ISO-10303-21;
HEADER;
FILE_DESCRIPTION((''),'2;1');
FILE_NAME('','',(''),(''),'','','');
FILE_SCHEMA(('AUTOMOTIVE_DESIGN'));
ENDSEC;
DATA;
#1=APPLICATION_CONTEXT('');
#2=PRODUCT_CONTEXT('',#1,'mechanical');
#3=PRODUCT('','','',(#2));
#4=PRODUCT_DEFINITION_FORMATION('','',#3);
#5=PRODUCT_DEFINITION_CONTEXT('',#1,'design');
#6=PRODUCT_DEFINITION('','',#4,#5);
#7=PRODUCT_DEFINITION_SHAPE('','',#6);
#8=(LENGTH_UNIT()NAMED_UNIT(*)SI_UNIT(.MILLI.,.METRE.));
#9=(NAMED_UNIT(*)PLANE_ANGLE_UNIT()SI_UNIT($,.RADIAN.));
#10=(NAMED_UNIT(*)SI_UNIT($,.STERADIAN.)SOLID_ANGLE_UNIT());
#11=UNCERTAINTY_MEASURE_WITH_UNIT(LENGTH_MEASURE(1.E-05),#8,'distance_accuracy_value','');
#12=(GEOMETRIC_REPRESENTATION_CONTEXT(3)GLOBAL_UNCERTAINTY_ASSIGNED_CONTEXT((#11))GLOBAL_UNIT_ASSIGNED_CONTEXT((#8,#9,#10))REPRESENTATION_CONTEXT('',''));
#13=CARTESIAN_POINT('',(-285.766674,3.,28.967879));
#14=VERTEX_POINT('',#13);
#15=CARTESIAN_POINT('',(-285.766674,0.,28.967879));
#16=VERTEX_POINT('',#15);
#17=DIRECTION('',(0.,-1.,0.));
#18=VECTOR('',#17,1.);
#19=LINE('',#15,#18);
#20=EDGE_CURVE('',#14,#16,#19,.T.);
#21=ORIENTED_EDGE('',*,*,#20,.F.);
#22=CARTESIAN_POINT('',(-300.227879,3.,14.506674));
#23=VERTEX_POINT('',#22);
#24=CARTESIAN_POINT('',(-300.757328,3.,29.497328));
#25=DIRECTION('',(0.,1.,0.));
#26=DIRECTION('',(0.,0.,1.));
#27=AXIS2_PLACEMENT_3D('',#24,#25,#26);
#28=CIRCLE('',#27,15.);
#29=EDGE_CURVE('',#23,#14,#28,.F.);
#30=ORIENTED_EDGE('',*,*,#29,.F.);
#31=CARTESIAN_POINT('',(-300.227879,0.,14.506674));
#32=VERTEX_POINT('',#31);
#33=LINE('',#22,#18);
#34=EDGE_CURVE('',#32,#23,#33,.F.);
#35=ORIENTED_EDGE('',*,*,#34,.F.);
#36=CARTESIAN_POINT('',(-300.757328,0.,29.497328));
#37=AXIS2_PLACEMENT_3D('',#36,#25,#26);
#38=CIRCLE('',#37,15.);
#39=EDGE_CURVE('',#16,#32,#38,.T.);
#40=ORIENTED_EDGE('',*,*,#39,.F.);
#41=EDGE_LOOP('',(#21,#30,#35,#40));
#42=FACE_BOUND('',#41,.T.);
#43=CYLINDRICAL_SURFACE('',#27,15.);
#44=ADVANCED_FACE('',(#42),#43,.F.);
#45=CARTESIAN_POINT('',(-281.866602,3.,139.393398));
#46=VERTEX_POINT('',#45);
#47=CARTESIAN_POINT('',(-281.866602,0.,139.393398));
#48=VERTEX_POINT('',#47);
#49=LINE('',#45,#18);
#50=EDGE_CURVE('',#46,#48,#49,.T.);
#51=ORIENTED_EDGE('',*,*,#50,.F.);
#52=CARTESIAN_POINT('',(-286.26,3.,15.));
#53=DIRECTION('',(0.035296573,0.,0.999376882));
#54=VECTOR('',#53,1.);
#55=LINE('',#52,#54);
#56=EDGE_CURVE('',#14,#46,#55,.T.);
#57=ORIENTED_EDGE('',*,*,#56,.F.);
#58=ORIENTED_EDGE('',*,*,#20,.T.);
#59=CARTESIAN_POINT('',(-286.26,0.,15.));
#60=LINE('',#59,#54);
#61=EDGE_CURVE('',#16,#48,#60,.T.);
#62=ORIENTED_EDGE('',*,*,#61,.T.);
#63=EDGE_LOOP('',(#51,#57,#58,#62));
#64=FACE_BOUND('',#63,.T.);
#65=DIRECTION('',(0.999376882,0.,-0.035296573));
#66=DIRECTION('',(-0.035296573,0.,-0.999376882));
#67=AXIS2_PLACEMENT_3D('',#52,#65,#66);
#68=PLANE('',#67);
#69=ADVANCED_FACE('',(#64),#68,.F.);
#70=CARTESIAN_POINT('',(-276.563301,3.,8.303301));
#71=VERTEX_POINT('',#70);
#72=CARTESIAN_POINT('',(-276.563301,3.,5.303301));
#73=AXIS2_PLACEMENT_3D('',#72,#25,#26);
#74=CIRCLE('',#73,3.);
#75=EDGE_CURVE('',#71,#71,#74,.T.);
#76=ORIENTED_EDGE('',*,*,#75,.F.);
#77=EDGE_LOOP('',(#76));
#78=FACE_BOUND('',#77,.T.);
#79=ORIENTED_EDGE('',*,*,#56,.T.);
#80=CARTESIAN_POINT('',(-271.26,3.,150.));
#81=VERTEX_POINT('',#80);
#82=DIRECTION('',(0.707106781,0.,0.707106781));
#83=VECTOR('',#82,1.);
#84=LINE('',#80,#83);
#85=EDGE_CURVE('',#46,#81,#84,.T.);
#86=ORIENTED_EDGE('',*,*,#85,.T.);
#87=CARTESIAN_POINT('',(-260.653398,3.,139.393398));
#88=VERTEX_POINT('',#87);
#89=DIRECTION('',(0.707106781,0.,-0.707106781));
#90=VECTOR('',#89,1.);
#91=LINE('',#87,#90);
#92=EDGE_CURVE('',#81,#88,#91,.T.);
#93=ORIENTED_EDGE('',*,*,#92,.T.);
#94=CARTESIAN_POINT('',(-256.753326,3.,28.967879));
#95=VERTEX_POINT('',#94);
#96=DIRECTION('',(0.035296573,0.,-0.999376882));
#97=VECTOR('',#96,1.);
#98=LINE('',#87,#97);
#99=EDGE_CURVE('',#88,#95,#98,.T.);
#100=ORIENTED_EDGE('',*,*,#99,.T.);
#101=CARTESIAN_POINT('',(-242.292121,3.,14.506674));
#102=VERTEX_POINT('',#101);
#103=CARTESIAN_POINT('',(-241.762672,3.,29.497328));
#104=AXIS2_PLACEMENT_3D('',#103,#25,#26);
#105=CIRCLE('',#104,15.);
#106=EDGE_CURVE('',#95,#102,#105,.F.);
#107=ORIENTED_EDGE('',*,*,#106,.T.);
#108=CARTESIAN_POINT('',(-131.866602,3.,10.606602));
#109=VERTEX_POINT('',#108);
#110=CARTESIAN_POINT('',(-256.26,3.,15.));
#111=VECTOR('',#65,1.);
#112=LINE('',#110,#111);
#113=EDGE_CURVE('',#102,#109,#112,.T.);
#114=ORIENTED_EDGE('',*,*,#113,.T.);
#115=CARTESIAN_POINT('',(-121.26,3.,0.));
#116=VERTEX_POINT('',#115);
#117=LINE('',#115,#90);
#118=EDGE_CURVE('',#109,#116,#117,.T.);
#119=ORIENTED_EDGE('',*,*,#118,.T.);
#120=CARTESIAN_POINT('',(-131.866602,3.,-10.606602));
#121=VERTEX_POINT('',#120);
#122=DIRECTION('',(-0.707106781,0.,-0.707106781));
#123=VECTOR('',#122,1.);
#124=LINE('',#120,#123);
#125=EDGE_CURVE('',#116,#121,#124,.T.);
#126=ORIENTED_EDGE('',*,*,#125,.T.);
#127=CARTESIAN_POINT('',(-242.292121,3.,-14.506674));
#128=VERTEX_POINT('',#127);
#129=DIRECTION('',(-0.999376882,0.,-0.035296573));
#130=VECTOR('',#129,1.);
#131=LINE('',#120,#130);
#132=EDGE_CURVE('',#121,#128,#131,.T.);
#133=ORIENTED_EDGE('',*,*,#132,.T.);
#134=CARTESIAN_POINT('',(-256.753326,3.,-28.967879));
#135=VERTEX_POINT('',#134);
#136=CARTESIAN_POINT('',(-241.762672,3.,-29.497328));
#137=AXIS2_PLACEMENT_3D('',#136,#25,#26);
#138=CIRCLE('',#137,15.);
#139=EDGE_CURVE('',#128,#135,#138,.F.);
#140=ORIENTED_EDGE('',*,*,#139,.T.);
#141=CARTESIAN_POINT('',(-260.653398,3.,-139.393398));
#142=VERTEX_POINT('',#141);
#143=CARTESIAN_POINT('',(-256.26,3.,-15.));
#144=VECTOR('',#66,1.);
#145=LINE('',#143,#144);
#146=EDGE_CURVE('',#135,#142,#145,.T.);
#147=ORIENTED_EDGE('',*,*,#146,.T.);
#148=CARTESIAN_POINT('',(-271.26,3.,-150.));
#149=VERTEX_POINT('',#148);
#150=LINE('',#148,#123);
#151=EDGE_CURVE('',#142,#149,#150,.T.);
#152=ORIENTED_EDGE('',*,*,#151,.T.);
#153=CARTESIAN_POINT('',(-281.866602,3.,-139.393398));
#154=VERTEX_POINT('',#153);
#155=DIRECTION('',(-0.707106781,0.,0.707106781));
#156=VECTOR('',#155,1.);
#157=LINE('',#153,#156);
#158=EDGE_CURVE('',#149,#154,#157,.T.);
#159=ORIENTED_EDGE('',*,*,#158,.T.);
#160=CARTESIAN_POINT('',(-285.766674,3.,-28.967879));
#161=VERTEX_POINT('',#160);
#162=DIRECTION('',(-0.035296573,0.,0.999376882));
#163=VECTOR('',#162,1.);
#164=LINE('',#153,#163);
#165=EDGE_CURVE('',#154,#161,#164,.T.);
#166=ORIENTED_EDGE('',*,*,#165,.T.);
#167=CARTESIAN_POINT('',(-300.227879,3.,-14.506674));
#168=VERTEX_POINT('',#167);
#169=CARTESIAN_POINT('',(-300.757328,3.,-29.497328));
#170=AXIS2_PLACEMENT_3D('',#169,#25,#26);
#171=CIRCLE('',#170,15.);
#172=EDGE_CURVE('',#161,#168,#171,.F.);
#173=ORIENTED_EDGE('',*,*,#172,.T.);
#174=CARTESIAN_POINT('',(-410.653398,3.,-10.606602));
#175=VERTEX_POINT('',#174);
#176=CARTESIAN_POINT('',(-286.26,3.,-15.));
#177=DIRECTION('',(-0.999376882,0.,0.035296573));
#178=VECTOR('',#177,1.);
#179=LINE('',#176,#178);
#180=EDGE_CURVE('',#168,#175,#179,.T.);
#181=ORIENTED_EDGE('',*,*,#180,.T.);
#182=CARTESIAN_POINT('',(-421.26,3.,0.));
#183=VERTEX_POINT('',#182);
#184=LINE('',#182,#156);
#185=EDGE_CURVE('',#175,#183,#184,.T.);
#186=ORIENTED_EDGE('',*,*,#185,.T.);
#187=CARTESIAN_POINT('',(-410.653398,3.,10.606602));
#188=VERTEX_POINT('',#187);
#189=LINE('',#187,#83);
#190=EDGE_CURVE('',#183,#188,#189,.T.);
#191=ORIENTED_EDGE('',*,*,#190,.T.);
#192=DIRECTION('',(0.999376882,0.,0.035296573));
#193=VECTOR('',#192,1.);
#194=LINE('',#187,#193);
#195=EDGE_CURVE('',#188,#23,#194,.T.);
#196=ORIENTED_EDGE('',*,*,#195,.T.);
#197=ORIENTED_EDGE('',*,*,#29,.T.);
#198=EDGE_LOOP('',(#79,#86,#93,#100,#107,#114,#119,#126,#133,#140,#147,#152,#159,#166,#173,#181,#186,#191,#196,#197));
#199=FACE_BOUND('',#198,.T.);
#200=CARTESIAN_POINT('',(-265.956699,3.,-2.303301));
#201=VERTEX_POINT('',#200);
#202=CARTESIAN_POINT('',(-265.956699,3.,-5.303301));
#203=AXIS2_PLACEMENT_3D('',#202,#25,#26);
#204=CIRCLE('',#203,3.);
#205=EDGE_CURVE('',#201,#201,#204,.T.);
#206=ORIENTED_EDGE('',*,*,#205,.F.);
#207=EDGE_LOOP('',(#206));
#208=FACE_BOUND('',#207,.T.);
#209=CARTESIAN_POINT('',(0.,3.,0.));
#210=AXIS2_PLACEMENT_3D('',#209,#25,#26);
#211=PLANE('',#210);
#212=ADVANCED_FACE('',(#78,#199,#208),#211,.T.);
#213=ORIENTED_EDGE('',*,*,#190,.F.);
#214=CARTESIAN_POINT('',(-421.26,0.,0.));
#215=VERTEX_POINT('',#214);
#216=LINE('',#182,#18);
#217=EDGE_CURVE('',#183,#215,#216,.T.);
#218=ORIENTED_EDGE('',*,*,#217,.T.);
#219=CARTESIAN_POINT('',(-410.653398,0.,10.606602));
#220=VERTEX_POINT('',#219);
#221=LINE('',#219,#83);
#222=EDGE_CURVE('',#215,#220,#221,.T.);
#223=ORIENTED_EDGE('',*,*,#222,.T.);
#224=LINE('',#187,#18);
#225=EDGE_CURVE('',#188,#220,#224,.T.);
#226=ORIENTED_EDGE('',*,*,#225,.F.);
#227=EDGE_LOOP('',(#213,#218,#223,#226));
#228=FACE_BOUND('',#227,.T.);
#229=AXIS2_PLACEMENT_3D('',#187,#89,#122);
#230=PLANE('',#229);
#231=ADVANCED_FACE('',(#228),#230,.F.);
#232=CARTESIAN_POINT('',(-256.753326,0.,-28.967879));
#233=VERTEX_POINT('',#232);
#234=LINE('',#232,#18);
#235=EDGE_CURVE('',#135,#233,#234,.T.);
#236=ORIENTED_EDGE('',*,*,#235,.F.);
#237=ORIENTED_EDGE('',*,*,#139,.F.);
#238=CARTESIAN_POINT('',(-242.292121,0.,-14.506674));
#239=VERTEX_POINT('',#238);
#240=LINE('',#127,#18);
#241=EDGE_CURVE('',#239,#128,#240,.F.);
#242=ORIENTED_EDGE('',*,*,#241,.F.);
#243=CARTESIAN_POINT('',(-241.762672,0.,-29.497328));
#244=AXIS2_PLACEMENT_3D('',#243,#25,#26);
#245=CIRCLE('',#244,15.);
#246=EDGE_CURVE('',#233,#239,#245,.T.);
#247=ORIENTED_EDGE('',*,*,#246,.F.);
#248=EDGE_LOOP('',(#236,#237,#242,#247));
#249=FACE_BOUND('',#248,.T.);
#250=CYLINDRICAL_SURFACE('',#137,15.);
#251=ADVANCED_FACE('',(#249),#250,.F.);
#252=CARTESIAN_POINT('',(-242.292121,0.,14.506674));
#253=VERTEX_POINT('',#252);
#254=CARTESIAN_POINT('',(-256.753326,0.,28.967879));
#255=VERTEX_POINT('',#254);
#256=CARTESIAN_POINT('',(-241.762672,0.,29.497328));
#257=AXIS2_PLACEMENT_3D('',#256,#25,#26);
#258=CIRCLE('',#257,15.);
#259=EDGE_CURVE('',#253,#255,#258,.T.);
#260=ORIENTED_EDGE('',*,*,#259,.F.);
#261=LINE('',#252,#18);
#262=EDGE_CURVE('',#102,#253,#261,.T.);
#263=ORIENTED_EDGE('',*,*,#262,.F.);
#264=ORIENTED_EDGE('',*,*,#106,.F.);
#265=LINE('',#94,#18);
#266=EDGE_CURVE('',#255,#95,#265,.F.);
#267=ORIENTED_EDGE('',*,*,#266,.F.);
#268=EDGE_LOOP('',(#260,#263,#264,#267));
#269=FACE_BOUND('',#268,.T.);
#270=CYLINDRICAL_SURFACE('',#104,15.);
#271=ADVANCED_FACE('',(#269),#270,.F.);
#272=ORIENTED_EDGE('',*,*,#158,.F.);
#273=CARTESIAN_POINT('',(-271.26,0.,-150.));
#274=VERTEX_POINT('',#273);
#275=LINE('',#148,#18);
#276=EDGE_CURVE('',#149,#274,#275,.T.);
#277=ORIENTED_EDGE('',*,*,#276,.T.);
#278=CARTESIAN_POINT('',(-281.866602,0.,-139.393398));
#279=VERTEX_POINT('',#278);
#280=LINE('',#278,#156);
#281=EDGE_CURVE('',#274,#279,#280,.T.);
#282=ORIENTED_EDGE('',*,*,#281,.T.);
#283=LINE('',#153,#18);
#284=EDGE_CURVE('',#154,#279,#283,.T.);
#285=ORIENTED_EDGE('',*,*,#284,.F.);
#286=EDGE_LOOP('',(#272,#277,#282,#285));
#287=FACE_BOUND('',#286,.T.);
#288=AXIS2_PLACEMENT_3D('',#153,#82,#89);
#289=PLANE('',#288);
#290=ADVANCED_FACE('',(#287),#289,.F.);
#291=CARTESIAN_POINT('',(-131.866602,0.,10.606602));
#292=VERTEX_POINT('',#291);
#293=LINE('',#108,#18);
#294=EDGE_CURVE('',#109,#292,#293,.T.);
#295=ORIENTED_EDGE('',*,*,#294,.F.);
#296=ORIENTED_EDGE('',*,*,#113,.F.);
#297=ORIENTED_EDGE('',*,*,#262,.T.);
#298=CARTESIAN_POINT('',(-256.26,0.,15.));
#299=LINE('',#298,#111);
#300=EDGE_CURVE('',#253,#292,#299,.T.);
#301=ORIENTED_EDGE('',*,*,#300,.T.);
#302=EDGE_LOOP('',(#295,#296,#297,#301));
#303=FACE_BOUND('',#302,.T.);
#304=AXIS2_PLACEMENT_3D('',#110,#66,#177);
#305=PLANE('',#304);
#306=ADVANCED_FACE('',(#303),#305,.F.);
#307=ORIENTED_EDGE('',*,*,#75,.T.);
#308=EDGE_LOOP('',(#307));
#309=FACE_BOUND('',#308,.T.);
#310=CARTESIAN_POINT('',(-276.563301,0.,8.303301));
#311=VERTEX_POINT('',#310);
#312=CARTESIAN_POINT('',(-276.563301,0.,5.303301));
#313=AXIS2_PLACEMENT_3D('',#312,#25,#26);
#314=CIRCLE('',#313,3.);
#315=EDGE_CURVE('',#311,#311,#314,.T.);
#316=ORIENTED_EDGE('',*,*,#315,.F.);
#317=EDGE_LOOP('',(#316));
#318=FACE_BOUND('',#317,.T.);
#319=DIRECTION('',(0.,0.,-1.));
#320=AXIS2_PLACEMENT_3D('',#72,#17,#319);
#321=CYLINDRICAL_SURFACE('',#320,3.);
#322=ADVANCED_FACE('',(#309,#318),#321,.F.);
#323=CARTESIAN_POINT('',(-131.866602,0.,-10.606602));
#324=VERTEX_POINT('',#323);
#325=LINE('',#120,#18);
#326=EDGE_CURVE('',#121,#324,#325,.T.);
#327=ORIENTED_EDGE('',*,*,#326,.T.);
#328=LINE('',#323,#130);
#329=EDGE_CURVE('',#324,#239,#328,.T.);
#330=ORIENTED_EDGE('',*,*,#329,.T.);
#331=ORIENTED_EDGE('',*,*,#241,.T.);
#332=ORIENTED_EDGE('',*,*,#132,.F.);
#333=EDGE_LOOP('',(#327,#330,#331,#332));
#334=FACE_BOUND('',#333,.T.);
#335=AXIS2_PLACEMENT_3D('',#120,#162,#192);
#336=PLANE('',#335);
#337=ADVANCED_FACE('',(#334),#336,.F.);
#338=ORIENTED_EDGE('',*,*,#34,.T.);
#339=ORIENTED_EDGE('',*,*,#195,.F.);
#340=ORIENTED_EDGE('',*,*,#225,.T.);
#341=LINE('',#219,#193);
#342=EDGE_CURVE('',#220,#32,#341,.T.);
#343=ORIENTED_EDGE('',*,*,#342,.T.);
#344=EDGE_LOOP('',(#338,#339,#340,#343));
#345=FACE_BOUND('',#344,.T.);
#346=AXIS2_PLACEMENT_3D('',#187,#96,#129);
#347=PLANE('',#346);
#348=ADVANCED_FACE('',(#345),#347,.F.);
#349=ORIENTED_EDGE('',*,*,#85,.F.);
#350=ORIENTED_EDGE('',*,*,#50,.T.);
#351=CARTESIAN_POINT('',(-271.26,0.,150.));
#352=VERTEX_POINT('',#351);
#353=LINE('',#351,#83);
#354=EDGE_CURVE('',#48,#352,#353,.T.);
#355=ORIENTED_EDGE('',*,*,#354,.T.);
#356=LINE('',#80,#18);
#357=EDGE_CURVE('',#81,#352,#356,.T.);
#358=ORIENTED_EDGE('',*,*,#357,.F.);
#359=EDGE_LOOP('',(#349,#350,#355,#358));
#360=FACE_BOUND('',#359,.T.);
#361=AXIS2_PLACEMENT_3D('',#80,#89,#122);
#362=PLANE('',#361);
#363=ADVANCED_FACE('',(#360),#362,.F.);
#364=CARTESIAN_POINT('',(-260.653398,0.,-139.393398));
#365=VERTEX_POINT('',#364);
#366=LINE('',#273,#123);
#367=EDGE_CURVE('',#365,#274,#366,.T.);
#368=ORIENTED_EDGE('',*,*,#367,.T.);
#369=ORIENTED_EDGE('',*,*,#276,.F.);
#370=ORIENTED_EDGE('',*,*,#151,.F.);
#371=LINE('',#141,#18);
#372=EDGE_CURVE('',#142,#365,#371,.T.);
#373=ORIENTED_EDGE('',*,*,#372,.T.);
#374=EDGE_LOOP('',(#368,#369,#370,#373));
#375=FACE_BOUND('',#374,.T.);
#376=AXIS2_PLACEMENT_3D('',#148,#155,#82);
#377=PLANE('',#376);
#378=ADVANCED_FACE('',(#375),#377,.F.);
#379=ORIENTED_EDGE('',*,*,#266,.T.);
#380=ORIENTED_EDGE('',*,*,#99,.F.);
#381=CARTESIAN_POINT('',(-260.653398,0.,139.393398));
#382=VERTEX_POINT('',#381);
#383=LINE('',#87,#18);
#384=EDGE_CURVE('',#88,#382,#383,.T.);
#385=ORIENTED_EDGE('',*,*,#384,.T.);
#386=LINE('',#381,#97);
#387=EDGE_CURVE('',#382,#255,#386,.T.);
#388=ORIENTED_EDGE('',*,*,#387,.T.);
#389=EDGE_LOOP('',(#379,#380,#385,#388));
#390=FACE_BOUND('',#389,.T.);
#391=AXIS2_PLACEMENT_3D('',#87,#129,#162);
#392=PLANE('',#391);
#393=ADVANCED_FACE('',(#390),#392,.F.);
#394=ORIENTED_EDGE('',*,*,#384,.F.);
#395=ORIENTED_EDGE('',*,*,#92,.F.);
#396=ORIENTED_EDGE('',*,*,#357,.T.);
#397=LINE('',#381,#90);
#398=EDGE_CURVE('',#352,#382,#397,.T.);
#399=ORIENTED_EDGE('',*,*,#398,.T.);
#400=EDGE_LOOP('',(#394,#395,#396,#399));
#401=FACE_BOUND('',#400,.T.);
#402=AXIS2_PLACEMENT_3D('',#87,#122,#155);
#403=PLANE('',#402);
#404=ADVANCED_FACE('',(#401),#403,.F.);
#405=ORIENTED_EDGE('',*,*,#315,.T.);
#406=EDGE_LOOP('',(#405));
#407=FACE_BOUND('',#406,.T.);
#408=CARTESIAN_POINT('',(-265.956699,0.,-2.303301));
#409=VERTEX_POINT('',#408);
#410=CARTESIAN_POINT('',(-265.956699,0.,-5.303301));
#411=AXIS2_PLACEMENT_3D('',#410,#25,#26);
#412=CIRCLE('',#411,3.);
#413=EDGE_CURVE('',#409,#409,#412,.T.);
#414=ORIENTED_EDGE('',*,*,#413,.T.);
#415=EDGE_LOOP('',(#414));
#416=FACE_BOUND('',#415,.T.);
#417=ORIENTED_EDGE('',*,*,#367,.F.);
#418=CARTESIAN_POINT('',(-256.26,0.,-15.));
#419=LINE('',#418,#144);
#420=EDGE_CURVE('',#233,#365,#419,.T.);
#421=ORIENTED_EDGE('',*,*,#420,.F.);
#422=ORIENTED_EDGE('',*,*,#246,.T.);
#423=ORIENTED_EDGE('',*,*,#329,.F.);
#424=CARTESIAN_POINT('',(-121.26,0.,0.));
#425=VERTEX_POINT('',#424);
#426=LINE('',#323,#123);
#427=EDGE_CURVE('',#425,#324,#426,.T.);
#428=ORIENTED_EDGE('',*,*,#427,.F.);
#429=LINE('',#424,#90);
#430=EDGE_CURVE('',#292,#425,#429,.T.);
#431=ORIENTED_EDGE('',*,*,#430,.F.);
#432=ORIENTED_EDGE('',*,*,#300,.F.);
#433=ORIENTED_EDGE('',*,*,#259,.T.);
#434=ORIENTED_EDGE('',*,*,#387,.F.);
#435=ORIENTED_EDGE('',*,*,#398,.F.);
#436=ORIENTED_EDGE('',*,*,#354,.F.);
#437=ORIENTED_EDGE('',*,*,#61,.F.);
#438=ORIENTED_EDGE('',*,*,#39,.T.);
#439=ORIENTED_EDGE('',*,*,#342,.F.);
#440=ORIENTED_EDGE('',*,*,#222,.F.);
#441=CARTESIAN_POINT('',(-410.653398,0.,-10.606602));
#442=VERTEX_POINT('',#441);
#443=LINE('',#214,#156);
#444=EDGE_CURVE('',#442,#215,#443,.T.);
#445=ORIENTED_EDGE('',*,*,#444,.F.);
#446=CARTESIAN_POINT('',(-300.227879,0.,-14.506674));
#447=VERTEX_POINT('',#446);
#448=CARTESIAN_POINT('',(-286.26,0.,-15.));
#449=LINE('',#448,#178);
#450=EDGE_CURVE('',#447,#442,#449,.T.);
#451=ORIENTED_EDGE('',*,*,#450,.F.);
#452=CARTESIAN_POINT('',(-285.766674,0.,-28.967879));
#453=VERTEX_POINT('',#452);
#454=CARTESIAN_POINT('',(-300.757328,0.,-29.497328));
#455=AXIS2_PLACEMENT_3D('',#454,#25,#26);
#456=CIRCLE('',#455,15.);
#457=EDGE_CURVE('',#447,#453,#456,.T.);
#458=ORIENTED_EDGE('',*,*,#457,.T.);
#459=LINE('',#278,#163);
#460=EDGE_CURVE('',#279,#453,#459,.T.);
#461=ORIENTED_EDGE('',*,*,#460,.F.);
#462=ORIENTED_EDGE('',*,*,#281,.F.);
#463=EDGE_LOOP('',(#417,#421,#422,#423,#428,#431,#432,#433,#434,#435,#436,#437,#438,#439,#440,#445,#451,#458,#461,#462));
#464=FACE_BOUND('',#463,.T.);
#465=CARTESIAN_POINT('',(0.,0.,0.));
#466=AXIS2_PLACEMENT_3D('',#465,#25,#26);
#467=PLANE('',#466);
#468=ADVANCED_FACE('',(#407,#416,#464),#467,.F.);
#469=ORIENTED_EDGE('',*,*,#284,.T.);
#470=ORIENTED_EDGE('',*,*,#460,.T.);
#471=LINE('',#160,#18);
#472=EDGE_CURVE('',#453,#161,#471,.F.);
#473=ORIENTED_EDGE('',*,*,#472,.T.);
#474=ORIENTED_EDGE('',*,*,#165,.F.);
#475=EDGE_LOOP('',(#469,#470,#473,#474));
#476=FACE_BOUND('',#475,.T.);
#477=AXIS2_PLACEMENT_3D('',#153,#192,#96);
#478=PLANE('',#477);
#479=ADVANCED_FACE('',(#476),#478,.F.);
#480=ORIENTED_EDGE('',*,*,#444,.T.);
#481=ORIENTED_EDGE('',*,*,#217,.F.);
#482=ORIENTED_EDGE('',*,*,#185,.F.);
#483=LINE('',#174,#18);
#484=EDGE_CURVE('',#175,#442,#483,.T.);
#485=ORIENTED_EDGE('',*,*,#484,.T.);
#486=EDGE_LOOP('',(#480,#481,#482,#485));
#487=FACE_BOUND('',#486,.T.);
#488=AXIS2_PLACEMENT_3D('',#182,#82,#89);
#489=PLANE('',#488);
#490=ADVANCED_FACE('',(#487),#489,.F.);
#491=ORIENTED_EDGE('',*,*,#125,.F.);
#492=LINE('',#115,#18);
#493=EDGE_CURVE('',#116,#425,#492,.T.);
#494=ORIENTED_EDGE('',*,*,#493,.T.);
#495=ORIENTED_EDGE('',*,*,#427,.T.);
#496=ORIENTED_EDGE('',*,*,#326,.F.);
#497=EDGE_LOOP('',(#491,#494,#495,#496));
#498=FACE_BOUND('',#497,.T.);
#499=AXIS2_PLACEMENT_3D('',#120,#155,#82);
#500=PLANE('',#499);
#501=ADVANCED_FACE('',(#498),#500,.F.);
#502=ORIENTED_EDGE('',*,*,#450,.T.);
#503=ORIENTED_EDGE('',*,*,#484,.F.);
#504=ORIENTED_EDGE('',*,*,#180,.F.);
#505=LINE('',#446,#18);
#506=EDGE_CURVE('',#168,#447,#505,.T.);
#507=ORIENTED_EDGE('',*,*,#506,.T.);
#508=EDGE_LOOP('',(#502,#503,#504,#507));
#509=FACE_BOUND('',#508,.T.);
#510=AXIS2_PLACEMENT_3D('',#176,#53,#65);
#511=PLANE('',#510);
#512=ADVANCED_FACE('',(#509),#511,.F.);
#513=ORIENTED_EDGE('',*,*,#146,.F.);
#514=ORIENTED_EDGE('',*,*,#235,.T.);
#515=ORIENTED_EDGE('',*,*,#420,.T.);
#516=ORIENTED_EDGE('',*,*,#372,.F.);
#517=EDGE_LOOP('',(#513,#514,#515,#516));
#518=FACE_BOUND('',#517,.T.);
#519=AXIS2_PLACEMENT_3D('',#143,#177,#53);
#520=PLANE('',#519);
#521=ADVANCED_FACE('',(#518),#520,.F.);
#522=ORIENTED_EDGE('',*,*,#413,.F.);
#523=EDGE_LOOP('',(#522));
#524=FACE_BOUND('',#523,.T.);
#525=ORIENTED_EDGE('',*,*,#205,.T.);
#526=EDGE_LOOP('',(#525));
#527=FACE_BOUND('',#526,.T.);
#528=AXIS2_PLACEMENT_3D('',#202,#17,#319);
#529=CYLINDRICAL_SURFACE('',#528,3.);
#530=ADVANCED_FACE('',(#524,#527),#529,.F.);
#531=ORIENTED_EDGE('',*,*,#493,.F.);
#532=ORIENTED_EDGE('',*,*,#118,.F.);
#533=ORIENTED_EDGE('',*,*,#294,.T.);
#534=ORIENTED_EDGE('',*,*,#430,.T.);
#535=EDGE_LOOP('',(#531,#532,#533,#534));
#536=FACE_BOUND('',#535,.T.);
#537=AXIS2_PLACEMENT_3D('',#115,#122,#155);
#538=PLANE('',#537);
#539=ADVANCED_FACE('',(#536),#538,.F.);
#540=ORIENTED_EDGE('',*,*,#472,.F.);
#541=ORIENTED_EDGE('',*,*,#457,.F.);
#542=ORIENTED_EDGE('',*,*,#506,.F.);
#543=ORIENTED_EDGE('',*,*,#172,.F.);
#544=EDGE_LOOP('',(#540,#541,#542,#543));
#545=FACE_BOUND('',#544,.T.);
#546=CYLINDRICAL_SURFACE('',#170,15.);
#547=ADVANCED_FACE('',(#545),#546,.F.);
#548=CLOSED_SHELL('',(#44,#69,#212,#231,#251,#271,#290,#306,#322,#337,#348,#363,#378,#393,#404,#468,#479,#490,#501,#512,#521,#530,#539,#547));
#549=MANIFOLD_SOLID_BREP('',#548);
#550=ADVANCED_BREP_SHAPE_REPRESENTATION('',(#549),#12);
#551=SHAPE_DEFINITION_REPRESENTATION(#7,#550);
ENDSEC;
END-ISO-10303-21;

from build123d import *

# Parameters (mm, degrees)
SKETCH1_R           = 3
BOSS_EXTRUDE1_DEPTH = 3
FILLET1_R           = 15


with BuildPart() as part:
    # Sketch1 → Boss-Extrude1 (new body)
    with BuildSketch(Plane(origin=(0, 0, 0), x_dir=(1, 0, 0), z_dir=(0, 1, 0))):
        Polygon((-286.26, 15), (-410.653398282, 10.606601718), (-421.26, 0), (-410.653398282, -10.606601718), (-286.26, -15), (-281.866601718, -139.393398282), (-271.26, -150), (-260.653398282, -139.393398282), (-256.26, -15), (-131.866601718, -10.606601718), (-121.26, 0), (-131.866601718, 10.606601718), (-256.26, 15), (-260.653398282, 139.393398282), (-271.26, 150), (-281.866601718, 139.393398282), align=None)
        with Locations(Location((-276.563300859, -5.303300859, 0), (0, 0, 270))):
            Circle(SKETCH1_R, mode=Mode.SUBTRACT)
        with Locations(Location((-265.956699141, 5.303300859, 0), (0, 0, 270))):
            Circle(SKETCH1_R, mode=Mode.SUBTRACT)
    extrude(amount=BOSS_EXTRUDE1_DEPTH)

    # Fillet1
    fillet1_edges = [part.edges().sort_by_distance(p)[0] for p in [
        (-256.26, 1.5, -15),
        (-256.26, 1.5, 15),
        (-286.26, 1.5, 15),
        (-286.26, 1.5, -15),
    ]]
    fillet(fillet1_edges, radius=FILLET1_R)


solid = part.part
